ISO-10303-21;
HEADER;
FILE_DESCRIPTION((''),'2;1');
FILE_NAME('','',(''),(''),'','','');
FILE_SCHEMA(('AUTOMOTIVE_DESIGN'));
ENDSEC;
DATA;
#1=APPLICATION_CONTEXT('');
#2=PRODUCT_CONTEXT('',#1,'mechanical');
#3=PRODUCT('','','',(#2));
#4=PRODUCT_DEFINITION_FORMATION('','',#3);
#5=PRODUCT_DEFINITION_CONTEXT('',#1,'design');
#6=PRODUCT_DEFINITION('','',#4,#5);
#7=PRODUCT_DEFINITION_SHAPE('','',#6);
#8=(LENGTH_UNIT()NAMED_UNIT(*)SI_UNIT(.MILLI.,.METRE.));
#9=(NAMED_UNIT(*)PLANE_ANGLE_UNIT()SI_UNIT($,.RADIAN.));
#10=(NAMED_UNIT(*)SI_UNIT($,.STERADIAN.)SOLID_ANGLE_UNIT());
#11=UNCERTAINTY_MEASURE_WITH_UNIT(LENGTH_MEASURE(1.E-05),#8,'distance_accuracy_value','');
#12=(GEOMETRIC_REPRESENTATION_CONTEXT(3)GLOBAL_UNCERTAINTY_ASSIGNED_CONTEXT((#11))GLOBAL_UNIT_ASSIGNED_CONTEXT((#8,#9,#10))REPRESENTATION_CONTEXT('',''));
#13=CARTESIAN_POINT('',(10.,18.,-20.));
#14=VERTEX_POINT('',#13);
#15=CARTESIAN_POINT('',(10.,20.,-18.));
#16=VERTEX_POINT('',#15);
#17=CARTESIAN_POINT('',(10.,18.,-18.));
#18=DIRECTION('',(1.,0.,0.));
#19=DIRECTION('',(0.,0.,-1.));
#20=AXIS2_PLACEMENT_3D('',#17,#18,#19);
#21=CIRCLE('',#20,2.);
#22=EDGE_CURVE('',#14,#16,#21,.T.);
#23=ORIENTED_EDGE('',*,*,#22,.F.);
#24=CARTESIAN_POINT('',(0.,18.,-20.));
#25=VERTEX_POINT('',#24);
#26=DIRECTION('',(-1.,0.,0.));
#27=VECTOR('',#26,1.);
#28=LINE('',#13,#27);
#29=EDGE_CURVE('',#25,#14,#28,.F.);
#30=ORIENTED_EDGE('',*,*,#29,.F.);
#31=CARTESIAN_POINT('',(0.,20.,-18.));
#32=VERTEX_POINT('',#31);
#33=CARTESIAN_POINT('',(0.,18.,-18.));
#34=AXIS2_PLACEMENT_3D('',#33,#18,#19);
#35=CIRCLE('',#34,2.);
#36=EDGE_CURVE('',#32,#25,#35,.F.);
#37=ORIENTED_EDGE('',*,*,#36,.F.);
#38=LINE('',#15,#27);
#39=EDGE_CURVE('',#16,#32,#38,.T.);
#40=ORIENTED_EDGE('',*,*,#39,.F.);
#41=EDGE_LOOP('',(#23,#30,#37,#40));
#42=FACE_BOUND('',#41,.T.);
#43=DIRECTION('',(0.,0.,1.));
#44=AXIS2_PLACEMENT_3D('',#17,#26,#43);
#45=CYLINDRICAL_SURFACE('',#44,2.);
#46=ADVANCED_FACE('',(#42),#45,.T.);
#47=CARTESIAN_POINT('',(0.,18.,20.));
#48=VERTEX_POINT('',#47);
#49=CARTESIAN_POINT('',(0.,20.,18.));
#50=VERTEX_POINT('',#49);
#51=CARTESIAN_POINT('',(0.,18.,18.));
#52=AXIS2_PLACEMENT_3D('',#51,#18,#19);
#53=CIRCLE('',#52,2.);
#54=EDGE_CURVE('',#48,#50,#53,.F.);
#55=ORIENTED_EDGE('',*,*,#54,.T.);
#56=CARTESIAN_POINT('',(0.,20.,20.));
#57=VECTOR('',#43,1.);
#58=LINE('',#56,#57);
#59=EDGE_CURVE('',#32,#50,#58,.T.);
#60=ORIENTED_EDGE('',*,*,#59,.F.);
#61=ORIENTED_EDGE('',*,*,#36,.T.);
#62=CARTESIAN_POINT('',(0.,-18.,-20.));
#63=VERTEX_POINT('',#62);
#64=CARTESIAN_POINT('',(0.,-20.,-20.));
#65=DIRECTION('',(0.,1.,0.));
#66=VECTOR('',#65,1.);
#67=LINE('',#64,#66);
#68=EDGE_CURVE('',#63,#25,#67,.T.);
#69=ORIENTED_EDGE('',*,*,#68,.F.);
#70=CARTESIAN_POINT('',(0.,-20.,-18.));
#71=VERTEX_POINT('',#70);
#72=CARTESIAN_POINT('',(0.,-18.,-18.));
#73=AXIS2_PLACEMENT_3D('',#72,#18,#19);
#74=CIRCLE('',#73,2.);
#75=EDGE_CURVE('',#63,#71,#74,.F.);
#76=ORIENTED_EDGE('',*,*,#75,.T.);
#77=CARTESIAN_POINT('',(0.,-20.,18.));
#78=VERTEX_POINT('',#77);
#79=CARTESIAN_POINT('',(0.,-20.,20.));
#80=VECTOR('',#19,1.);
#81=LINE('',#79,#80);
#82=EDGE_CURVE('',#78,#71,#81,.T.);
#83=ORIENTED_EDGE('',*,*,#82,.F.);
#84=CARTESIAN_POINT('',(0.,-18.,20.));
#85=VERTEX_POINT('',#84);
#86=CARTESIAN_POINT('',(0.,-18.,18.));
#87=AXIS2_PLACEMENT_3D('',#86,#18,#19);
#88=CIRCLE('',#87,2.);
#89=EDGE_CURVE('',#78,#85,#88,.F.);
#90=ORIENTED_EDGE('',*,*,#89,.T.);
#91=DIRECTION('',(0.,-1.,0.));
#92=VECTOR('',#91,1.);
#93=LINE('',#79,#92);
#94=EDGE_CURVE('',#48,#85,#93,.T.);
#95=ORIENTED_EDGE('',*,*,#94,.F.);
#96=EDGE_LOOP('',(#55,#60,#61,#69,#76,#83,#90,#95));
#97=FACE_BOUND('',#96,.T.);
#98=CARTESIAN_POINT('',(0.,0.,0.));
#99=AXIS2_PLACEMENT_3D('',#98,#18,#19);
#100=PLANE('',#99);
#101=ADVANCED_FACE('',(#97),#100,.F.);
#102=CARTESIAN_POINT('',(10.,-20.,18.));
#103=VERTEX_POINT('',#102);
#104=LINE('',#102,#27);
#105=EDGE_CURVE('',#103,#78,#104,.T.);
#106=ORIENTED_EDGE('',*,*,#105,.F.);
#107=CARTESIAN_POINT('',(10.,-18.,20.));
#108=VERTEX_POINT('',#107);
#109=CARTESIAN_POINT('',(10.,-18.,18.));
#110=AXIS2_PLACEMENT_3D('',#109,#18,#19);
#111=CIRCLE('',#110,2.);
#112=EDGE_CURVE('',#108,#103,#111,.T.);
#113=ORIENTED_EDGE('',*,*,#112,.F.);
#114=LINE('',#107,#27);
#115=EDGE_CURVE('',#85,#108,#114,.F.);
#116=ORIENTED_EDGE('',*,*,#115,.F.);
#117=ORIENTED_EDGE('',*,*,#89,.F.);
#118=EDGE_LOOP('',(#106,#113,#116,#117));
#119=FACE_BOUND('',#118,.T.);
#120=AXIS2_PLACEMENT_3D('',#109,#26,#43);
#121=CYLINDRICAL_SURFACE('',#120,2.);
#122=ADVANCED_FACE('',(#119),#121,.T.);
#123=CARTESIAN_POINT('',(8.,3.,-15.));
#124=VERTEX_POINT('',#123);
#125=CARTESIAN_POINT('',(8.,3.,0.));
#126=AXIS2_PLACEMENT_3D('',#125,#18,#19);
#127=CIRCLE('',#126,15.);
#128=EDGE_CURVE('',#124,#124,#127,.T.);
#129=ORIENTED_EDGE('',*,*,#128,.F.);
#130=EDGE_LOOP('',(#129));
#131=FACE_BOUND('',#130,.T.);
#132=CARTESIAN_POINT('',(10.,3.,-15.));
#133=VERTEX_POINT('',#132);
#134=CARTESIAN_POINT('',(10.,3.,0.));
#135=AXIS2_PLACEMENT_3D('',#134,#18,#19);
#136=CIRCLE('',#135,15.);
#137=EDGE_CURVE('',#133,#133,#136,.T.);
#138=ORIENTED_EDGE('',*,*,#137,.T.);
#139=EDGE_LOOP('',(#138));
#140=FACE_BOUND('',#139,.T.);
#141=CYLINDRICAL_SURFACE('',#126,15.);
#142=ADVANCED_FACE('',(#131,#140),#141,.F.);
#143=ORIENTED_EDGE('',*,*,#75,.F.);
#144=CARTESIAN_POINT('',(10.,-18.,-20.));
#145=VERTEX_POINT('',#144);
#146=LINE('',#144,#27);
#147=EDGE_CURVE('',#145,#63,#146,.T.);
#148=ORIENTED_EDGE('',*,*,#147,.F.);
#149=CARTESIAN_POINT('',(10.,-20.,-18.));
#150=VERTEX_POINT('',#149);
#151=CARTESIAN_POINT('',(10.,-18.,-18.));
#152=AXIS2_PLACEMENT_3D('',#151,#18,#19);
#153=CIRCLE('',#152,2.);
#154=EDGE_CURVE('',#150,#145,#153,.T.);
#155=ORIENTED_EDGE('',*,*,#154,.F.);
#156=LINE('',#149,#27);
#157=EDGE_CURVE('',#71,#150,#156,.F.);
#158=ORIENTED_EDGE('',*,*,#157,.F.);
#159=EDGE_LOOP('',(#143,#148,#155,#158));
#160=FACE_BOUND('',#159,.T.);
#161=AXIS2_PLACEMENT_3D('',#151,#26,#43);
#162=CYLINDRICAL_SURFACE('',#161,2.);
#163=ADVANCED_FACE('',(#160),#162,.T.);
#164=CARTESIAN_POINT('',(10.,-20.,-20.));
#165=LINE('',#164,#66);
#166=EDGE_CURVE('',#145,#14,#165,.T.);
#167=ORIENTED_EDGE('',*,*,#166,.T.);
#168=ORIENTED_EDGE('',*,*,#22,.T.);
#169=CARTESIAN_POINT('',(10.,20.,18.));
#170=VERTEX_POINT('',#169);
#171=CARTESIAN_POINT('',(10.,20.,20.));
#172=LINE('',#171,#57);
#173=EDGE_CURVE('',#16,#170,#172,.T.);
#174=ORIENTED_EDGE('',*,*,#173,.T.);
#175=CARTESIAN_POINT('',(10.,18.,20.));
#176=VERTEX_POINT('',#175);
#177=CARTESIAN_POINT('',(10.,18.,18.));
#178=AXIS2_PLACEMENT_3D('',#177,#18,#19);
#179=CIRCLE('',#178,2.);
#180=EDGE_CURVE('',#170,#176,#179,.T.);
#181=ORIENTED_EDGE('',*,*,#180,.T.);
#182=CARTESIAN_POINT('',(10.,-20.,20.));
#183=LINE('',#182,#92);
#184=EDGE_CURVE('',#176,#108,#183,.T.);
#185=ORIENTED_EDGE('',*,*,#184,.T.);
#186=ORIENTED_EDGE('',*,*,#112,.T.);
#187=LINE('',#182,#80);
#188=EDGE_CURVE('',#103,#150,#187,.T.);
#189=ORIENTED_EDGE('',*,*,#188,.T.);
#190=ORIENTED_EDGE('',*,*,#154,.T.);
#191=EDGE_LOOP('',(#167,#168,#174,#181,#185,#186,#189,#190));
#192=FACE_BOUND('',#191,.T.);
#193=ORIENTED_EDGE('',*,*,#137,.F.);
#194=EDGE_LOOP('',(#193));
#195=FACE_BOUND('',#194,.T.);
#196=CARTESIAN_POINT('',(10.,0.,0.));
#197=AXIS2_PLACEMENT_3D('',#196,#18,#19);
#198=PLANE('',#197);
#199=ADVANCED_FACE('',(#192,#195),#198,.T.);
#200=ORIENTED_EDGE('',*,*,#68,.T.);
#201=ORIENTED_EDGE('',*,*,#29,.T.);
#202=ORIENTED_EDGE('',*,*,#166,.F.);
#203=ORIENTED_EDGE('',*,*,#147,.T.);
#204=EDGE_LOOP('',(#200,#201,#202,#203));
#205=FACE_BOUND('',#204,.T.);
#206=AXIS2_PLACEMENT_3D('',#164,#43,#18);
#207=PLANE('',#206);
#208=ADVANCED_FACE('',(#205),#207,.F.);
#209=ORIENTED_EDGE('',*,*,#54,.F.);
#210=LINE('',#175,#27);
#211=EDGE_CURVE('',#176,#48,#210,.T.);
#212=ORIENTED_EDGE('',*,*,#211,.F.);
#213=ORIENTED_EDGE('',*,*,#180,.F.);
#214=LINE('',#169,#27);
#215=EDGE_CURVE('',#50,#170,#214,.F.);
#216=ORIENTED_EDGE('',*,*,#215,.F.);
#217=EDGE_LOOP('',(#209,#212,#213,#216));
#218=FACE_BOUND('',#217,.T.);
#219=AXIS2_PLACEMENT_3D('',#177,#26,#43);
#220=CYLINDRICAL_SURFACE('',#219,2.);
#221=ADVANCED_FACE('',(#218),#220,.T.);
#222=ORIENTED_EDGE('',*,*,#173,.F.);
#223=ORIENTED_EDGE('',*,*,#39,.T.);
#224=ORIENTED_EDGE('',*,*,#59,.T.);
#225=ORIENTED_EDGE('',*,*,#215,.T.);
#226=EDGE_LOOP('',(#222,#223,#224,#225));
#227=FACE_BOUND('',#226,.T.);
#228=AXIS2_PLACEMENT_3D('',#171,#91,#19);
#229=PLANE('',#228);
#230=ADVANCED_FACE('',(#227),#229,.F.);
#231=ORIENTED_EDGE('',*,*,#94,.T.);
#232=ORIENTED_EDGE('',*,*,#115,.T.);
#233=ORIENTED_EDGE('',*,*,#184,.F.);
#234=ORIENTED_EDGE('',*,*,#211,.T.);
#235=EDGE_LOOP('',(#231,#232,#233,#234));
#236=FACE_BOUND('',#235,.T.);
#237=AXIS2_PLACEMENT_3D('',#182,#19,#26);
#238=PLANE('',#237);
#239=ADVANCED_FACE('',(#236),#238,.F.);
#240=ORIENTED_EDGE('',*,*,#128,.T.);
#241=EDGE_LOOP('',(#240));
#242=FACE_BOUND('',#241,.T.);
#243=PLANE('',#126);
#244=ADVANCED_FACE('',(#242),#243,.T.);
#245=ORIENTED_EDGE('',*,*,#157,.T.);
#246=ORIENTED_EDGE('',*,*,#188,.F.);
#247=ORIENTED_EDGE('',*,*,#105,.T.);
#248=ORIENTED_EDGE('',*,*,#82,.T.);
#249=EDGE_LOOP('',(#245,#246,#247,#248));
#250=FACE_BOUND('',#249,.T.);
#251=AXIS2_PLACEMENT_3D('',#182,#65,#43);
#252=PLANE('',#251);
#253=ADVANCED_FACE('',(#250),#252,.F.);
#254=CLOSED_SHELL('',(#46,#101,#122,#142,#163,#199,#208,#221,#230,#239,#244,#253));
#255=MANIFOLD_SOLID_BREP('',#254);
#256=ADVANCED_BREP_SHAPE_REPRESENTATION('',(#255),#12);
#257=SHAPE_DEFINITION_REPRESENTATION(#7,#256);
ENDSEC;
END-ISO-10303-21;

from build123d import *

# Parameters (mm, degrees)
SKETCH1_W           = 40
SKETCH1_H           = 40
BOSS_EXTRUDE1_DEPTH = 10
SKETCH2_R           = 15
CUT_EXTRUDE1_DEPTH  = 2
FILLET1_R           = 2


with BuildPart() as part:
    # Sketch1 → Boss-Extrude1 (new body)
    with BuildSketch(Plane.YZ):
        Rectangle(SKETCH1_W, SKETCH1_H)
    extrude(amount=BOSS_EXTRUDE1_DEPTH)

    # Sketch2 → Cut-Extrude1 (cut)
    with BuildSketch(Plane.YZ.offset(10)):
        with Locations(Location((3, 0, 0), (0, 0, 270))):
            Circle(SKETCH2_R)
    extrude(amount=-CUT_EXTRUDE1_DEPTH, mode=Mode.SUBTRACT)

    # Fillet1
    fillet1_edges = [part.edges().sort_by_distance(p)[0] for p in [
        (5, 20, -20),
        (5, -20, -20),
        (5, -20, 20),
        (5, 20, 20),
    ]]
    fillet(fillet1_edges, radius=FILLET1_R)


solid = part.part
